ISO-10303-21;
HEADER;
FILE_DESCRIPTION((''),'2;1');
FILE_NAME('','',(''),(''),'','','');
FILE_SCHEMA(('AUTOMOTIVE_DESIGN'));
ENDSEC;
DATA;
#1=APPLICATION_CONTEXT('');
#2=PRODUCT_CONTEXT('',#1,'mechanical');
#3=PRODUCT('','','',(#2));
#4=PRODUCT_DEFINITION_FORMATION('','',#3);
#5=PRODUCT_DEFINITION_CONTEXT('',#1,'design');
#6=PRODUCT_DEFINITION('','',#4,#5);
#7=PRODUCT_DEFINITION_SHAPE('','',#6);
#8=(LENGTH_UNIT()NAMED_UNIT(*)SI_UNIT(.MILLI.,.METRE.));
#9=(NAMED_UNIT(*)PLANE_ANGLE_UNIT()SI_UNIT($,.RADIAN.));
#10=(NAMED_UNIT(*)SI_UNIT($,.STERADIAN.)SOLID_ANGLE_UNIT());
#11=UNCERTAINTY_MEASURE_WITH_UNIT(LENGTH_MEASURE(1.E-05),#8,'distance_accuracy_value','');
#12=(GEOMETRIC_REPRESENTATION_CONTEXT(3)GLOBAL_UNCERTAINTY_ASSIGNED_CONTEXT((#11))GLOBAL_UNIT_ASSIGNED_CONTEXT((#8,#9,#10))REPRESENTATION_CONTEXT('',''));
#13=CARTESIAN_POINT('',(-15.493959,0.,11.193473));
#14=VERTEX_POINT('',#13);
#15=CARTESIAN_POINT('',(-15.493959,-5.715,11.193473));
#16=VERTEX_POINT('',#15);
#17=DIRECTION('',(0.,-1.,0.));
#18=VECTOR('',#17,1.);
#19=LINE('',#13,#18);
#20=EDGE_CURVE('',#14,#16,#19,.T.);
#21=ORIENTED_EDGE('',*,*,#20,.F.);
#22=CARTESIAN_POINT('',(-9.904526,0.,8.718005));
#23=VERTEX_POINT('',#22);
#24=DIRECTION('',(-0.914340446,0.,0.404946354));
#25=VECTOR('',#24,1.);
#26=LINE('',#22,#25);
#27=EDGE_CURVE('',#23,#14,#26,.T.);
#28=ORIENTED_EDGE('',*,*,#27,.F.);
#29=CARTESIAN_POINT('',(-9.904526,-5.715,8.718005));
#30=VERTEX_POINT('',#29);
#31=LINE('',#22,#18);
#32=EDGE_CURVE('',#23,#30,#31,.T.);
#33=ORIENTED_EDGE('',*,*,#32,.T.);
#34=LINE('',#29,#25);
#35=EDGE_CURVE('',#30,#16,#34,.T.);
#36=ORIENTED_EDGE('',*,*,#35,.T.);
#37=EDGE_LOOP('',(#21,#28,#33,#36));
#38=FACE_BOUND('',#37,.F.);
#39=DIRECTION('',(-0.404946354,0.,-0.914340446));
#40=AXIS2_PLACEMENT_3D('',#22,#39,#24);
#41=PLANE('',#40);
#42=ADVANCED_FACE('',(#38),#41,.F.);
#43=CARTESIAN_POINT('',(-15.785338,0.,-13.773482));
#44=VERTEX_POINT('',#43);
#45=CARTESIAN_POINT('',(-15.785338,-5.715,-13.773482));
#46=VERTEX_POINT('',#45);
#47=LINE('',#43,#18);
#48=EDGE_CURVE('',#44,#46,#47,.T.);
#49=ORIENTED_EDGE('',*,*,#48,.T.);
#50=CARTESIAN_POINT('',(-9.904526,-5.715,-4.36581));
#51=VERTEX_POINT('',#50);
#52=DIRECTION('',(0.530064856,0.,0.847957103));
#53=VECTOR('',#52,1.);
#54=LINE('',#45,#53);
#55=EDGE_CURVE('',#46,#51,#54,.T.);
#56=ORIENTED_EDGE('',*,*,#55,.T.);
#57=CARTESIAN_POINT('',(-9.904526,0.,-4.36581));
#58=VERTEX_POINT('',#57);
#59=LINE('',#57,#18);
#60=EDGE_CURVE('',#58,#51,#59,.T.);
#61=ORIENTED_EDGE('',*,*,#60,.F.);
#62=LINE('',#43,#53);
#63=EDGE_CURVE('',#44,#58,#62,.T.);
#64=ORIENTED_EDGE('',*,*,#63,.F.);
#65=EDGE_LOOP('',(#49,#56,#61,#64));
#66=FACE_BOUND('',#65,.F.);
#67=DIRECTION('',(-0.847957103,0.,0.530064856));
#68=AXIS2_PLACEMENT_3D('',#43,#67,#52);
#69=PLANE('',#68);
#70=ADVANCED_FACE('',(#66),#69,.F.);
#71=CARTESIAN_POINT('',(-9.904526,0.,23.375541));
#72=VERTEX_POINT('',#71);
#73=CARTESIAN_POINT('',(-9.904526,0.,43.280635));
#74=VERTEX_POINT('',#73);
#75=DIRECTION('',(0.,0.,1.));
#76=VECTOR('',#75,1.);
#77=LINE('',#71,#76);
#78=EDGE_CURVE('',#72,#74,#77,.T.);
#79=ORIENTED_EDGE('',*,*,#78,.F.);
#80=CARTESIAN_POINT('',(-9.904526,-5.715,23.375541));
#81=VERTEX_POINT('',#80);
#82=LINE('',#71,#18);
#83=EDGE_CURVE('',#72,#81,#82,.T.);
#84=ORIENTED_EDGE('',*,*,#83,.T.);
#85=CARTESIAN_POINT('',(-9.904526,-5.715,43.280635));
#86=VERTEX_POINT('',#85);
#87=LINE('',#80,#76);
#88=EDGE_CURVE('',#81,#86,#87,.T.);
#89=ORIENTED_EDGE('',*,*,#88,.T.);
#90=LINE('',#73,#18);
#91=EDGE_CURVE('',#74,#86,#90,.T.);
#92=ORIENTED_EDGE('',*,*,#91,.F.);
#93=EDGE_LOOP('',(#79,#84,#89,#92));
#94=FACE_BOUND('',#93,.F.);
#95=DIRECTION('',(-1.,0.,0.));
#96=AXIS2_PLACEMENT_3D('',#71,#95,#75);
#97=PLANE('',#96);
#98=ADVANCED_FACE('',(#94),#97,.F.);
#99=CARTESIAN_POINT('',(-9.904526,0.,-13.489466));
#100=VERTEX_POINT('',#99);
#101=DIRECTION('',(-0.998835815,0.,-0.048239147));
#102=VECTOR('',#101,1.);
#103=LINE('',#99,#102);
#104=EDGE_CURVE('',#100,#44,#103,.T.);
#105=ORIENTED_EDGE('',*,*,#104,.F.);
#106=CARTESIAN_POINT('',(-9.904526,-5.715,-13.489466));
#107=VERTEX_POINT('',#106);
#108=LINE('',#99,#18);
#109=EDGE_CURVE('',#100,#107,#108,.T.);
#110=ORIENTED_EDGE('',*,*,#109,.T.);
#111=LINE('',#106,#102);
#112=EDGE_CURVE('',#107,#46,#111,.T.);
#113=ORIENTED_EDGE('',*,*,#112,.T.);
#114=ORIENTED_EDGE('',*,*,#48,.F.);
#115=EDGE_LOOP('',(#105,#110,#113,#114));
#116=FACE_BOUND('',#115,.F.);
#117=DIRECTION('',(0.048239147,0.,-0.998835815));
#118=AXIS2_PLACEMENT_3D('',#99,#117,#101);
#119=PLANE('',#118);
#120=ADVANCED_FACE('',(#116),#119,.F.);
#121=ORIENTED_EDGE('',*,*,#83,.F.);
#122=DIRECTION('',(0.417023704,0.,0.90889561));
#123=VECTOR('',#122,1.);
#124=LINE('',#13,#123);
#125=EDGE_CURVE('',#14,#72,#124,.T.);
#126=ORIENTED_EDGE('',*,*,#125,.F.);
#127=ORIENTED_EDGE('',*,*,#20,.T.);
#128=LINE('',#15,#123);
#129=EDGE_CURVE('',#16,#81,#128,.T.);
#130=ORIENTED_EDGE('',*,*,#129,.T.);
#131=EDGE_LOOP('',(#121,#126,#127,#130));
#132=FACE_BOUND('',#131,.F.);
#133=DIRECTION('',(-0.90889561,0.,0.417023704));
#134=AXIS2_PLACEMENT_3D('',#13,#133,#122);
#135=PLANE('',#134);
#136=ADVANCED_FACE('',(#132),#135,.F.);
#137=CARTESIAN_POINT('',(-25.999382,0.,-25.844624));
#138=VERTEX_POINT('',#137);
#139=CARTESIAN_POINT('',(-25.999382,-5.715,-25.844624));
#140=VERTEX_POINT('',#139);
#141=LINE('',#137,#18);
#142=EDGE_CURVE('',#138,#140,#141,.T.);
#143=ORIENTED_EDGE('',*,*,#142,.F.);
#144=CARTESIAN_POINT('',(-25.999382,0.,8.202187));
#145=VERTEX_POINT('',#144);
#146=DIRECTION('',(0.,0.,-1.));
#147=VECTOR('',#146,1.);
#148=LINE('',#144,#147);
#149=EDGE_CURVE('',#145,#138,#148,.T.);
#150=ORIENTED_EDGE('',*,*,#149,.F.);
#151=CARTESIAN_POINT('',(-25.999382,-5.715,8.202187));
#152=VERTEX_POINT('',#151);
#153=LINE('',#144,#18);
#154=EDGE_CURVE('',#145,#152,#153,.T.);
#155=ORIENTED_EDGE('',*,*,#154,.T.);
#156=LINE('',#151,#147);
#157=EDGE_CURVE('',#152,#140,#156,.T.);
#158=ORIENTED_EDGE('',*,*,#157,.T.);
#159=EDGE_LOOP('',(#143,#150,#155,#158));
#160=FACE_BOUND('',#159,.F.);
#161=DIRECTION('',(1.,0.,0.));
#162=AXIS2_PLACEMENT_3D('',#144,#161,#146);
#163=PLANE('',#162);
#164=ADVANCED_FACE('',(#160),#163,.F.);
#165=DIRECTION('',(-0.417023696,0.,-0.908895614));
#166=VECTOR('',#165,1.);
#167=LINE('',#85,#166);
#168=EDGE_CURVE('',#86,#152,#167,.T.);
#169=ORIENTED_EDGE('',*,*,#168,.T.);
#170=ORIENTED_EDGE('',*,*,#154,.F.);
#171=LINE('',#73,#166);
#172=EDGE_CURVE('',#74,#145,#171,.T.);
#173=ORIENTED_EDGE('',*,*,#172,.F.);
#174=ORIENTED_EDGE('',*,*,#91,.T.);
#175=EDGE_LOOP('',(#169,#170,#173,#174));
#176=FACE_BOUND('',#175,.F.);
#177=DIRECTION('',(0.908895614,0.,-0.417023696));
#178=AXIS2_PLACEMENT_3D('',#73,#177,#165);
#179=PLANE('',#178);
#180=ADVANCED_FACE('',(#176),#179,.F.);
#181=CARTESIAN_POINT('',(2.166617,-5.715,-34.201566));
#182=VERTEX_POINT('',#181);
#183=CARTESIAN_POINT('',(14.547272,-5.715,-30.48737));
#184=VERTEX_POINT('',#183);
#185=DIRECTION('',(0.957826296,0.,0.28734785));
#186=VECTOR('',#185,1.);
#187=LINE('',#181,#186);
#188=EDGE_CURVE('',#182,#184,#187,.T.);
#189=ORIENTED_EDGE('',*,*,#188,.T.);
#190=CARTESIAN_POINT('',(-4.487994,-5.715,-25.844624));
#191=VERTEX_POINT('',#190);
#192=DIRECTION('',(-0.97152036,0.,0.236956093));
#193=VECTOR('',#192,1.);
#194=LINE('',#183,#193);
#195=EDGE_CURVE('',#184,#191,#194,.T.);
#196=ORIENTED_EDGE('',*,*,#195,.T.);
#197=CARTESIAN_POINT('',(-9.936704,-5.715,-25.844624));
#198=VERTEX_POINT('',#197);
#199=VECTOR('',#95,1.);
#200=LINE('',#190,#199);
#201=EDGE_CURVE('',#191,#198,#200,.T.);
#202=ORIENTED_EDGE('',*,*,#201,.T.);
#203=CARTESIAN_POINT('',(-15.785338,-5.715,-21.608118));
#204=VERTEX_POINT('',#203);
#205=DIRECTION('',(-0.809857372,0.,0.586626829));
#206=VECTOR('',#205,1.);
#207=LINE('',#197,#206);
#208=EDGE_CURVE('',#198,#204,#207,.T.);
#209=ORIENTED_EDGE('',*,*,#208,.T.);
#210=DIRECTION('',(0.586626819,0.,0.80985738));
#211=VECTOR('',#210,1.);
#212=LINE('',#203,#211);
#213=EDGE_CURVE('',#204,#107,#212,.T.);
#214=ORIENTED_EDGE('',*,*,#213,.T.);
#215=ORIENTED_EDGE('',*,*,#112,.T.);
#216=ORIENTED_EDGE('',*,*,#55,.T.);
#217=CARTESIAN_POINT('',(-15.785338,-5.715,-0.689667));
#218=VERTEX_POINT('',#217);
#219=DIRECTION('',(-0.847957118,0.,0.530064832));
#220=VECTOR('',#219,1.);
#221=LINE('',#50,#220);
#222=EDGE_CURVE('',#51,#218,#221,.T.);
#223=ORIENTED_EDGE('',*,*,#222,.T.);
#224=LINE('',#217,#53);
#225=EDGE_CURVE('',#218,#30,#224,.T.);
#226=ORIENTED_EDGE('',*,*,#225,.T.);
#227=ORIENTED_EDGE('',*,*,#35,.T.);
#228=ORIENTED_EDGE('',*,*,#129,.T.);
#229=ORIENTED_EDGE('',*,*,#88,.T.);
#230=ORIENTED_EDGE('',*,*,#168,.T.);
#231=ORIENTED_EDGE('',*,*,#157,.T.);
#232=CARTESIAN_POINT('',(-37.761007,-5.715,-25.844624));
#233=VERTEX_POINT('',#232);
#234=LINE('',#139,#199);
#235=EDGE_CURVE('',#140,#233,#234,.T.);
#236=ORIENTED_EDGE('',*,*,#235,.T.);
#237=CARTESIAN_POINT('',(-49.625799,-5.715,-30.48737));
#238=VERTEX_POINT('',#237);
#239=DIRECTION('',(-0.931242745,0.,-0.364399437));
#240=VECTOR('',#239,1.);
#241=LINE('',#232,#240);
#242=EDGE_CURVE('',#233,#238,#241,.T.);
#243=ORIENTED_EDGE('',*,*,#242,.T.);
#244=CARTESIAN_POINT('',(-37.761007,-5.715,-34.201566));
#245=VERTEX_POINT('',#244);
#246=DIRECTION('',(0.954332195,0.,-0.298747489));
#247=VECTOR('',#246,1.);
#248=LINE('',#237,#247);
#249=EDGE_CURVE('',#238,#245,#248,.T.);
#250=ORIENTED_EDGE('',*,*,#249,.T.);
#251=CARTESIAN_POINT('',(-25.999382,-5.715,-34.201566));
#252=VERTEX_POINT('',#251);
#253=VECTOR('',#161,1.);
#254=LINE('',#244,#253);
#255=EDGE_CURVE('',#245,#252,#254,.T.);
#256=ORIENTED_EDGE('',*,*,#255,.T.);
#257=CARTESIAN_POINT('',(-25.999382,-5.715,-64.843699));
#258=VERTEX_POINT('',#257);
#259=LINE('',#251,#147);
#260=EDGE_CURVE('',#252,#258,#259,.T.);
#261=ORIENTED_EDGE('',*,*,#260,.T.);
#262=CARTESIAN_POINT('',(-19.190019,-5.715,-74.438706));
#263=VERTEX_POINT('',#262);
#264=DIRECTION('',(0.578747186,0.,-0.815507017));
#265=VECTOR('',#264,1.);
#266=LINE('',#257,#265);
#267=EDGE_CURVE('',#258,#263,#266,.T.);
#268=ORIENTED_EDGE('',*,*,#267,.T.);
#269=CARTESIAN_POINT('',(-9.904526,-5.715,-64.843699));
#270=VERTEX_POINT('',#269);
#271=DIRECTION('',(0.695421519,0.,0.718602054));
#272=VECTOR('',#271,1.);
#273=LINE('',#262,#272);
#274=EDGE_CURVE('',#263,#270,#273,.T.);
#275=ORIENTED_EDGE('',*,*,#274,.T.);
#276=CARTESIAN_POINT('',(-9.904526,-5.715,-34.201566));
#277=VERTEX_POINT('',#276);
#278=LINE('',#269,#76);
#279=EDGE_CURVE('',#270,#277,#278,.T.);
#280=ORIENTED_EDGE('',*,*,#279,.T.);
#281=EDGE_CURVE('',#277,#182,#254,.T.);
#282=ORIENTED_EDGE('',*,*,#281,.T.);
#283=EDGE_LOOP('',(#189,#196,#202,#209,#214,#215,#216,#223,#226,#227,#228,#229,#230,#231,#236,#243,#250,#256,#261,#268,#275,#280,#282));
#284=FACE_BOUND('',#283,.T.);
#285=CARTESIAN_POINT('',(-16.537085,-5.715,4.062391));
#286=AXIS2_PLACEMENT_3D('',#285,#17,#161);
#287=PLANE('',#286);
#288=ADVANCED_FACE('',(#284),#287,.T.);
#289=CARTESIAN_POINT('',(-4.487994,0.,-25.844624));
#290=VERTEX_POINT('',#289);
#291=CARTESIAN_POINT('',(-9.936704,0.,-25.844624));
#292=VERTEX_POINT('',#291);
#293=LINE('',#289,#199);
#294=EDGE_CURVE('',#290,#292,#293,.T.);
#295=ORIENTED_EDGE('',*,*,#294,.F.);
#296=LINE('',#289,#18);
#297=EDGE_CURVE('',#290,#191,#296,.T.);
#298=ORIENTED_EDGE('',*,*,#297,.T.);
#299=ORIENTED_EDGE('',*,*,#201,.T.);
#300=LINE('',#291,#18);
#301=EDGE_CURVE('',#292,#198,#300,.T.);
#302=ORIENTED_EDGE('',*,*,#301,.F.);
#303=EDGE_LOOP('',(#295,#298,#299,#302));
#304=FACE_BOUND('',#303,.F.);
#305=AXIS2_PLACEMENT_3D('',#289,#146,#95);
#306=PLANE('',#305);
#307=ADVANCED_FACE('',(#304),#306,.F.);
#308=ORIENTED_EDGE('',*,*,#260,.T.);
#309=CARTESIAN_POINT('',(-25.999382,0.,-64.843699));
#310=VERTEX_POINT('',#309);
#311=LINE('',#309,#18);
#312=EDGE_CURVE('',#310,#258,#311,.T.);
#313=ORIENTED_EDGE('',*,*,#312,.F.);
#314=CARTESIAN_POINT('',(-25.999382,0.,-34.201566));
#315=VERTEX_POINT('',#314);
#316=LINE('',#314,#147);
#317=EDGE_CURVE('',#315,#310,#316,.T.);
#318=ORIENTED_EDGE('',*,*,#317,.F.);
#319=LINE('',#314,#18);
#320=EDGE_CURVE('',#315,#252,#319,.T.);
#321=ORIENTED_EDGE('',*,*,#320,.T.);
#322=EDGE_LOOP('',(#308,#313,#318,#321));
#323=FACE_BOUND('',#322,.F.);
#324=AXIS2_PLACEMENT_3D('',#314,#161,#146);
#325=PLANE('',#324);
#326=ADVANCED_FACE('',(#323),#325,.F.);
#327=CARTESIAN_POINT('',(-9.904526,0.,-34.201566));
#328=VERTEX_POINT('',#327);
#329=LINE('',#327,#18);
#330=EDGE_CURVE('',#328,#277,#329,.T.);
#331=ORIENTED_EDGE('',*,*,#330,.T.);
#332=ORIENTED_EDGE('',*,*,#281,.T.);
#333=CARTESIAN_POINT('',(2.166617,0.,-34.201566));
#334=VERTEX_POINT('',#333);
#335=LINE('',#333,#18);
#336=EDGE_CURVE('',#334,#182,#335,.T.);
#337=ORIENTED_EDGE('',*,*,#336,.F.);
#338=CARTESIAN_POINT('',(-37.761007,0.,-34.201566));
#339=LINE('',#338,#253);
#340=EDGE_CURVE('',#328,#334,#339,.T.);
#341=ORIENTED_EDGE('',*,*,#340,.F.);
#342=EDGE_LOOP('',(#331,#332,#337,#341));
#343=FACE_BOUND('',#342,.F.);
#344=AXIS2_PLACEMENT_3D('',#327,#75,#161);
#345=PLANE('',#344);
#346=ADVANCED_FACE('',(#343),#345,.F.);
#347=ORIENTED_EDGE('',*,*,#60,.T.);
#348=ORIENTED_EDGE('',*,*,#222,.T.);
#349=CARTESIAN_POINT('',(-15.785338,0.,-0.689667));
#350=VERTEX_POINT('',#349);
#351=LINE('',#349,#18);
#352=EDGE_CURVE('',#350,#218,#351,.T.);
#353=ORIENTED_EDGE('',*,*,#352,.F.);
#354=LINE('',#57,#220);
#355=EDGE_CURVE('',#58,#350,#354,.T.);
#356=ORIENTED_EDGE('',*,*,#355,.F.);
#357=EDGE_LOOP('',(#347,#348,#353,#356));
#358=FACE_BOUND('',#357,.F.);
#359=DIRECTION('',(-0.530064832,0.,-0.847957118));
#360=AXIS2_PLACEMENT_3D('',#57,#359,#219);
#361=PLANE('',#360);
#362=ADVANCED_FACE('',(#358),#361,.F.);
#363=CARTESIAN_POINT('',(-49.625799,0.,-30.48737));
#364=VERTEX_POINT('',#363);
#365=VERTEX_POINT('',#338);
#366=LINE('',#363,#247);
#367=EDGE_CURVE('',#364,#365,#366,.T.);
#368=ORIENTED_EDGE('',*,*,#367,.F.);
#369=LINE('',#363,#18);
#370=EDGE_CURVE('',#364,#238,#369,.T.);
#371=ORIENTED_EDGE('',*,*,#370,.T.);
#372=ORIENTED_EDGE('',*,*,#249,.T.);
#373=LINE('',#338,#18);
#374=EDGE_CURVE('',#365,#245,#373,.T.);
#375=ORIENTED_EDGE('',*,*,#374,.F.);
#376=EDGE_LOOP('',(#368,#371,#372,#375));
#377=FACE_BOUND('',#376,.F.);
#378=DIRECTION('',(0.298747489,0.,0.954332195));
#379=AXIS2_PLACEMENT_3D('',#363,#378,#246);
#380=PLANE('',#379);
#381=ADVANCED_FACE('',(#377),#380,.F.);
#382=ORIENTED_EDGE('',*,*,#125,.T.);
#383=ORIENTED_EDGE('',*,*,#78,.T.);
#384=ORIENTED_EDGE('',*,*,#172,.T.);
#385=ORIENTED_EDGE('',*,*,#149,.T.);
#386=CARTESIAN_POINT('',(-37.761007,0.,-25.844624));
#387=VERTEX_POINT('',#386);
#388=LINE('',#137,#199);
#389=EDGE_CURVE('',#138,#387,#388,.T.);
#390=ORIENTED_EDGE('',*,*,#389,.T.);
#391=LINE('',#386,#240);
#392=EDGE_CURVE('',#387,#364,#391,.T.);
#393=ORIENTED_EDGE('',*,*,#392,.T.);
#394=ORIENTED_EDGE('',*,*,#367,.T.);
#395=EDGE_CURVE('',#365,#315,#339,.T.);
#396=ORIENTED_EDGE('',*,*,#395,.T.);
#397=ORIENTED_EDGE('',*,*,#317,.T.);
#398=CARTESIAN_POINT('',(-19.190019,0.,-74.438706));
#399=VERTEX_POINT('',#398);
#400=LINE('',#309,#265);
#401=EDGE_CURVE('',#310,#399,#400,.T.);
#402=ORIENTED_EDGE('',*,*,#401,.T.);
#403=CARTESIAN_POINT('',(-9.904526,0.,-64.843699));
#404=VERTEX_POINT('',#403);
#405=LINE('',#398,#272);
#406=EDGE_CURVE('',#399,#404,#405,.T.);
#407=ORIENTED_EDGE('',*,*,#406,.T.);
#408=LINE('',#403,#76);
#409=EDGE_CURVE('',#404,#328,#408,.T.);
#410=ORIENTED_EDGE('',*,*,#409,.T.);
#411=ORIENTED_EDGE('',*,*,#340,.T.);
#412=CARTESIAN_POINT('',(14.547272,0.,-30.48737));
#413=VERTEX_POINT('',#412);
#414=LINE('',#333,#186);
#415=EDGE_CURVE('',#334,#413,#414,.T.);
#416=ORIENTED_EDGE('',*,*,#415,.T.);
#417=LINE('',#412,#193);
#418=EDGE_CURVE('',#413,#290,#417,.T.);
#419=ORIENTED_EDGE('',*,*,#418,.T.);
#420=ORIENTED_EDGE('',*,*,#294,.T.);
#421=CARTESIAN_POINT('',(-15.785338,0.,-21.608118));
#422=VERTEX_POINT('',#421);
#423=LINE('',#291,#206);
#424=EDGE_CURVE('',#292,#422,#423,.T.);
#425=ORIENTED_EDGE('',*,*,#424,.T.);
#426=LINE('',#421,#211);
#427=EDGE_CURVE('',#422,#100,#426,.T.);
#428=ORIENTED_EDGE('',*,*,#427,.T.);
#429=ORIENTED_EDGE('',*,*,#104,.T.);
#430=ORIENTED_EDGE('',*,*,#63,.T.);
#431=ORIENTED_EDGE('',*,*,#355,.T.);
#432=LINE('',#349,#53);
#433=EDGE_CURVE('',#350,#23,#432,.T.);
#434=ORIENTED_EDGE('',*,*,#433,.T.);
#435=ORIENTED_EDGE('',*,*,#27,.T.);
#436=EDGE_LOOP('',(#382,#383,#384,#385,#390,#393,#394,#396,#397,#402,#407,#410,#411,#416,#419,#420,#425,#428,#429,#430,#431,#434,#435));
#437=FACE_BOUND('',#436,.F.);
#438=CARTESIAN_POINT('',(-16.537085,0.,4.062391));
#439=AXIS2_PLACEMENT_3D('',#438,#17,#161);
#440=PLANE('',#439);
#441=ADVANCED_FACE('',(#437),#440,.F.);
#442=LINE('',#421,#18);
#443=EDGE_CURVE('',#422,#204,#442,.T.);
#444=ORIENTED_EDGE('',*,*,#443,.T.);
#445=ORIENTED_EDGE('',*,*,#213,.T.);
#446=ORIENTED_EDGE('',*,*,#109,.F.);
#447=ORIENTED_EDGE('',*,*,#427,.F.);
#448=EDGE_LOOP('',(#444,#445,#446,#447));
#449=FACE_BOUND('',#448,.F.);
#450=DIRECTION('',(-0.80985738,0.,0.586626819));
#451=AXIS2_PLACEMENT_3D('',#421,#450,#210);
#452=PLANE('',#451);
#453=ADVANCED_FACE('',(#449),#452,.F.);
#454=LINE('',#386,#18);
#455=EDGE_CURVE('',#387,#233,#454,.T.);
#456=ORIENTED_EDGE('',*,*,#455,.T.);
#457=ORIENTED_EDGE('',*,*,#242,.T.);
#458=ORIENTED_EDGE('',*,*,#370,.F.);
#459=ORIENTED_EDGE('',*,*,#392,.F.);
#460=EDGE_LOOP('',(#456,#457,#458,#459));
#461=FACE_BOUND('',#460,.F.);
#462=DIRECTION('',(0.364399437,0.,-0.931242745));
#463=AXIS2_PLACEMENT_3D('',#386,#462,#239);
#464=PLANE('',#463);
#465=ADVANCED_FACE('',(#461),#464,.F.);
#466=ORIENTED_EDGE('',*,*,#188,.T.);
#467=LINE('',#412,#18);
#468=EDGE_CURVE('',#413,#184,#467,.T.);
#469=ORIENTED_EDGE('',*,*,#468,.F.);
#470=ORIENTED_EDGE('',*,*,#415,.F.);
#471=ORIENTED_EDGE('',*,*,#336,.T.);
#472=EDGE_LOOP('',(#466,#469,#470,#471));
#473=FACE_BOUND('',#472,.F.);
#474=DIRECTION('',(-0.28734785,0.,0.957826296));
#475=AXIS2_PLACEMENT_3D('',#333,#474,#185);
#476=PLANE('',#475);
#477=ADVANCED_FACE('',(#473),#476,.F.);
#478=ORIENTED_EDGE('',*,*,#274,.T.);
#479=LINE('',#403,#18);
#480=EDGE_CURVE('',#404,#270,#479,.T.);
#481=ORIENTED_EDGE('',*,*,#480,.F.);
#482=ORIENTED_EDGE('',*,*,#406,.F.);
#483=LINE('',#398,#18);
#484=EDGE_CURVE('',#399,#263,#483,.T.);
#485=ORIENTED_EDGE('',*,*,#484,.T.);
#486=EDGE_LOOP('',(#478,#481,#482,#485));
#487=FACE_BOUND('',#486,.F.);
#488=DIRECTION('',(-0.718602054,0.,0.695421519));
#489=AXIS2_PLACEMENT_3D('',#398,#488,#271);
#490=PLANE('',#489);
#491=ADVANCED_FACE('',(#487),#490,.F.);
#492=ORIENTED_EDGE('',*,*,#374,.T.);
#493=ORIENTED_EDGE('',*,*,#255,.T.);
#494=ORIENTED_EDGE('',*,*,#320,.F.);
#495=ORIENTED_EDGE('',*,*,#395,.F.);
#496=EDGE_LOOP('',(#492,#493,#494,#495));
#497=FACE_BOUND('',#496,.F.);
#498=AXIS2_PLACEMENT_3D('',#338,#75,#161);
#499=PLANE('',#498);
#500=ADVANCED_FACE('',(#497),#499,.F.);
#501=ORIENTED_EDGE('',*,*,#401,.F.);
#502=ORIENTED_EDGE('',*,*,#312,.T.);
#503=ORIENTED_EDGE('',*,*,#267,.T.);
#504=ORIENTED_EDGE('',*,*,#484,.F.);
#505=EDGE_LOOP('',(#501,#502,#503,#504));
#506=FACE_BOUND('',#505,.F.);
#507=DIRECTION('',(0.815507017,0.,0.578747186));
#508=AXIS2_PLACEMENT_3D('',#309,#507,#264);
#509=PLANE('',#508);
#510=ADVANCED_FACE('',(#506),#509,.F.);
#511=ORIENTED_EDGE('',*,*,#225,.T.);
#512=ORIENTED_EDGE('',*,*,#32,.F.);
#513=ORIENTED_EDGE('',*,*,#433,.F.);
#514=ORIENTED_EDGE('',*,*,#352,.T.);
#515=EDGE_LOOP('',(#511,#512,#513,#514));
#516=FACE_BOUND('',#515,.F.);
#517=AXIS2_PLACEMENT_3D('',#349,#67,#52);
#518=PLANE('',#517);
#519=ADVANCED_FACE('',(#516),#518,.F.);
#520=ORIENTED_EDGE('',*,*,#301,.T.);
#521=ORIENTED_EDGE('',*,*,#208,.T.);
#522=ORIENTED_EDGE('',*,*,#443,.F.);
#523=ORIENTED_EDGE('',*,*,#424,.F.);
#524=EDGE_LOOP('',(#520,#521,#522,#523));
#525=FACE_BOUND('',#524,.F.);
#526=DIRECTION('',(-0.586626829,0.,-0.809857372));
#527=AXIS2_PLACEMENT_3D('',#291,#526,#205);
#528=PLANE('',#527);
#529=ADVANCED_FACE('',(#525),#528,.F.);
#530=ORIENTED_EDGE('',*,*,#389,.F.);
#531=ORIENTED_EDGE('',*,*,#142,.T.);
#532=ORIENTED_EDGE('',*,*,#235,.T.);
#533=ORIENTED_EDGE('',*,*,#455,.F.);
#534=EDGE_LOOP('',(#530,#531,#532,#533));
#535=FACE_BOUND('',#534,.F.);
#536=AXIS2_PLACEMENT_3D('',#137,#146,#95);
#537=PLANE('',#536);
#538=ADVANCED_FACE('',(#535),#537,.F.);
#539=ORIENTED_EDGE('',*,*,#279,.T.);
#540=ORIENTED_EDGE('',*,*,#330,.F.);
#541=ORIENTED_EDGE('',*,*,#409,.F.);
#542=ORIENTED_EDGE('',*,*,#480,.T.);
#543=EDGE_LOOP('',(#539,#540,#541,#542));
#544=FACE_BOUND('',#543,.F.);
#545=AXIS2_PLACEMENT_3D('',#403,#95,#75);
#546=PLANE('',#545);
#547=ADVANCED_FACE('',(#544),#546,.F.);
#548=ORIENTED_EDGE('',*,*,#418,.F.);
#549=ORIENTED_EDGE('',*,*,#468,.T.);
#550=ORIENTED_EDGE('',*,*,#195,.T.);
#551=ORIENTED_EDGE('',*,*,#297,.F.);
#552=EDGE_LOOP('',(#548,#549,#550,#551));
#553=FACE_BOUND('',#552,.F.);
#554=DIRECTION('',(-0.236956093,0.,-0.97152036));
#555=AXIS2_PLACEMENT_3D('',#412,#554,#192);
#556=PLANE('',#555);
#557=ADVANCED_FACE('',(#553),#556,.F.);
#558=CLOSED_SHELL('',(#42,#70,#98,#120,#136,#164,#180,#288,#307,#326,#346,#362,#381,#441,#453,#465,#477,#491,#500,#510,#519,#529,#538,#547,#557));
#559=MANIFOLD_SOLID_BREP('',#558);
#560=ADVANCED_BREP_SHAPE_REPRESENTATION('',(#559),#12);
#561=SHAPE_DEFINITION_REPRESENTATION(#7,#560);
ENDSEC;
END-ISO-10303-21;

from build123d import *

# Parameters (mm, degrees)
F1_DEPTH = 5.715


with BuildPart() as f1:
    # F0 (on Front) → F1 (new body)
    with BuildSketch(Plane.XZ):
        Polygon((-9.904526, 23.375541), (-9.904526, 43.280635), (-25.999382, 8.202187), (-25.999382, -25.844624), (-9.936704, -25.844624), (-15.785338, -21.608118), (-9.904526, -13.489466), (-15.785338, -13.773482), (-9.904526, -4.36581), (-15.785338, -0.689667), (-9.904526, 8.718005), (-15.493959, 11.193473), align=None)
        Polygon((-9.936704, -25.844624), (-25.999382, -25.844624), (-37.761007, -25.844624), (-49.625799, -30.48737), (-37.761007, -34.201566), (-25.999382, -34.201566), (-9.904526, -34.201566), (2.166617, -34.201566), (14.547272, -30.48737), (-4.487994, -25.844624), (-9.904526, -25.844624), (-9.904526, -25.867933), align=None)
        Polygon((-9.904526, -25.844624), (-9.936704, -25.844624), (-9.904526, -25.867933), align=None)
        Polygon((-9.904526, -34.201566), (-25.999382, -34.201566), (-25.999382, -64.843699), (-19.190019, -74.438706), (-9.904526, -64.843699), align=None)
    extrude(amount=F1_DEPTH)


solid = f1.part
